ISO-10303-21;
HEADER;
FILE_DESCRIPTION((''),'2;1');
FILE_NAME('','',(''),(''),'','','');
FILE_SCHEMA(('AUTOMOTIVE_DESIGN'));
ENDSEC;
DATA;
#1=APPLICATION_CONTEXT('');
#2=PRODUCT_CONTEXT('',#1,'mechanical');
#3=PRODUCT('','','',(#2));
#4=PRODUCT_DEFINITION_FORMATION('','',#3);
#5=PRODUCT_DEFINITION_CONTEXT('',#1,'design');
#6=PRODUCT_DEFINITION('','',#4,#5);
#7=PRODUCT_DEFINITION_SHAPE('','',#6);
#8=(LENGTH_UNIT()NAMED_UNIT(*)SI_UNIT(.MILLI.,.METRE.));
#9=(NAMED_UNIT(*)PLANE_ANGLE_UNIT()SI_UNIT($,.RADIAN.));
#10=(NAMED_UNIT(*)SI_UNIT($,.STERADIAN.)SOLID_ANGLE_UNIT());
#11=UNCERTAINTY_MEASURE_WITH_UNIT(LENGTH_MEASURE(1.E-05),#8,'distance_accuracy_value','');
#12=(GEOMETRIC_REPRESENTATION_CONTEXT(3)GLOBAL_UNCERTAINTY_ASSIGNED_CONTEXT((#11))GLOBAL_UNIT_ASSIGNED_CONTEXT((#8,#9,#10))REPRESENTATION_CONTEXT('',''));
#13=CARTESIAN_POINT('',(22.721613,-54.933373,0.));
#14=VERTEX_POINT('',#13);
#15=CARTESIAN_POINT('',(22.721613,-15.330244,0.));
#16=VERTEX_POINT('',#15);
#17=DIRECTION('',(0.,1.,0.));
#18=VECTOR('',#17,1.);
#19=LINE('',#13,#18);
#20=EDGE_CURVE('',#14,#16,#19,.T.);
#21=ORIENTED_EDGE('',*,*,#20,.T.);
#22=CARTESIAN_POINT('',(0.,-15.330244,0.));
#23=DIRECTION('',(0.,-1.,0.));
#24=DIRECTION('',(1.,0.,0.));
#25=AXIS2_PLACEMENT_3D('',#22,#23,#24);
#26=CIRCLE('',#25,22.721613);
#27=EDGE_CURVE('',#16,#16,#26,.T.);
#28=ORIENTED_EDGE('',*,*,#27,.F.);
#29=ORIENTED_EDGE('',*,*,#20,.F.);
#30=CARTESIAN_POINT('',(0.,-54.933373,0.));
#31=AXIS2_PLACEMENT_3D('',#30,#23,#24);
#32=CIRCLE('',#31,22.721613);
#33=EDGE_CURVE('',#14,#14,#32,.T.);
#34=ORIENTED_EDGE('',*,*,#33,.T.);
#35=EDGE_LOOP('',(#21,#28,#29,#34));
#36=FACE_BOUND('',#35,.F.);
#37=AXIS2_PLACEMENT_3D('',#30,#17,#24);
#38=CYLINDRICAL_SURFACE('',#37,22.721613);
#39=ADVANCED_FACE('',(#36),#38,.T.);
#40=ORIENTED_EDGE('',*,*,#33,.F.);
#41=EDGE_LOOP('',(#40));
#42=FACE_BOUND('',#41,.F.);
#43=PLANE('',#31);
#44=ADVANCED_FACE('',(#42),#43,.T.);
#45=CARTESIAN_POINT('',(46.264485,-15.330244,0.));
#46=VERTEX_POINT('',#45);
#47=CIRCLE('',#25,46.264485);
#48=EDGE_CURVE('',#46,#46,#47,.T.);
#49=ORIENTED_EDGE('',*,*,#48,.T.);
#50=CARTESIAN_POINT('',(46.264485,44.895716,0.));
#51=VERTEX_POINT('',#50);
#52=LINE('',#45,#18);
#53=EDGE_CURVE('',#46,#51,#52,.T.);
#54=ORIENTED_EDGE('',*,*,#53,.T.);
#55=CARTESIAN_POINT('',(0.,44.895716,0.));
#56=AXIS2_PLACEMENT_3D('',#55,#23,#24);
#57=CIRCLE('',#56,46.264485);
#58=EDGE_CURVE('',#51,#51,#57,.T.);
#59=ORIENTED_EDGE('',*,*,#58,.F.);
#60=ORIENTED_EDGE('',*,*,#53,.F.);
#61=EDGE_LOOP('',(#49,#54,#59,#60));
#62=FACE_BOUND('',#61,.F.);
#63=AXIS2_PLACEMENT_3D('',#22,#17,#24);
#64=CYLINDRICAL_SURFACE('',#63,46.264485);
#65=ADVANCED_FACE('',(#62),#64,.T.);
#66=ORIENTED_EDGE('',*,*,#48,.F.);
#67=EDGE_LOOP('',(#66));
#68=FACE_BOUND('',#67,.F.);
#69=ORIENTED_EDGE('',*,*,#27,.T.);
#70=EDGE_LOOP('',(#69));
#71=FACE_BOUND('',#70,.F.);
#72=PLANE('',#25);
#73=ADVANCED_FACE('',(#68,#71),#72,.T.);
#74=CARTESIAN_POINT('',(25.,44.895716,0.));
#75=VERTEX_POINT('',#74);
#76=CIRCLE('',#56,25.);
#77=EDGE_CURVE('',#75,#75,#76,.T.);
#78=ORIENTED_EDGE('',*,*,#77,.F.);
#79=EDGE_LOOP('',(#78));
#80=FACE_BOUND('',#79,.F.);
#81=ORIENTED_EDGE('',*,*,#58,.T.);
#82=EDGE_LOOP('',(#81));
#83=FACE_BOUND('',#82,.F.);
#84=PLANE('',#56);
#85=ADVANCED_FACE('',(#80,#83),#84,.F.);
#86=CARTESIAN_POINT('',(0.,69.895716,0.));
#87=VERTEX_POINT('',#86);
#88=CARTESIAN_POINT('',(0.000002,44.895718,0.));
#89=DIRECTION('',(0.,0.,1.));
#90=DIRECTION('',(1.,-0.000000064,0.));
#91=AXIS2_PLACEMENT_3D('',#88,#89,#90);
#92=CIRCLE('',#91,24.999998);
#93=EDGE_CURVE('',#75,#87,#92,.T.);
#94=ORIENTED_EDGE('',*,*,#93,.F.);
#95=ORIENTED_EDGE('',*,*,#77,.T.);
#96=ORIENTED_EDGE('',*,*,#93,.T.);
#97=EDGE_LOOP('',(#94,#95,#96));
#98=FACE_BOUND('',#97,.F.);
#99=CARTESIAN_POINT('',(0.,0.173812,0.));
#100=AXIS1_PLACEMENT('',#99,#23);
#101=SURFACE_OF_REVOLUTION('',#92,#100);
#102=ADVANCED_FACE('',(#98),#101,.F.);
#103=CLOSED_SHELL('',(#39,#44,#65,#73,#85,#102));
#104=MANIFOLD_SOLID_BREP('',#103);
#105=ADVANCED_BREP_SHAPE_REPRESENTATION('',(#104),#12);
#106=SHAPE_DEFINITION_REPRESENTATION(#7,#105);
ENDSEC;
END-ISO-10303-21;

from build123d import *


with BuildPart() as f1:
    # F0 (on Top) → F1 (revolve)
    with BuildSketch(Plane.XY):
        with BuildLine():
            Line((46.264485, 44.895716), (25, 44.895716))
            ThreePointArc((25, 44.895716), (17.67767, 62.573386), (0, 69.895716))
            Line((0, 69.895716), (0, 44.895716))
            Line((0, 44.895716), (0, -15.330244))
            Line((0, -15.330244), (0, -54.933373))
            Line((0, -54.933373), (22.721613, -54.933373))
            Line((22.721613, -54.933373), (22.721613, -15.330244))
            Line((22.721613, -15.330244), (46.264485, -15.330244))
            Line((46.264485, -15.330244), (46.264485, 44.895716))
        make_face()
    revolve(axis=Axis((0, 0.173812, 0), (0, -1, 0)))


solid = f1.part
